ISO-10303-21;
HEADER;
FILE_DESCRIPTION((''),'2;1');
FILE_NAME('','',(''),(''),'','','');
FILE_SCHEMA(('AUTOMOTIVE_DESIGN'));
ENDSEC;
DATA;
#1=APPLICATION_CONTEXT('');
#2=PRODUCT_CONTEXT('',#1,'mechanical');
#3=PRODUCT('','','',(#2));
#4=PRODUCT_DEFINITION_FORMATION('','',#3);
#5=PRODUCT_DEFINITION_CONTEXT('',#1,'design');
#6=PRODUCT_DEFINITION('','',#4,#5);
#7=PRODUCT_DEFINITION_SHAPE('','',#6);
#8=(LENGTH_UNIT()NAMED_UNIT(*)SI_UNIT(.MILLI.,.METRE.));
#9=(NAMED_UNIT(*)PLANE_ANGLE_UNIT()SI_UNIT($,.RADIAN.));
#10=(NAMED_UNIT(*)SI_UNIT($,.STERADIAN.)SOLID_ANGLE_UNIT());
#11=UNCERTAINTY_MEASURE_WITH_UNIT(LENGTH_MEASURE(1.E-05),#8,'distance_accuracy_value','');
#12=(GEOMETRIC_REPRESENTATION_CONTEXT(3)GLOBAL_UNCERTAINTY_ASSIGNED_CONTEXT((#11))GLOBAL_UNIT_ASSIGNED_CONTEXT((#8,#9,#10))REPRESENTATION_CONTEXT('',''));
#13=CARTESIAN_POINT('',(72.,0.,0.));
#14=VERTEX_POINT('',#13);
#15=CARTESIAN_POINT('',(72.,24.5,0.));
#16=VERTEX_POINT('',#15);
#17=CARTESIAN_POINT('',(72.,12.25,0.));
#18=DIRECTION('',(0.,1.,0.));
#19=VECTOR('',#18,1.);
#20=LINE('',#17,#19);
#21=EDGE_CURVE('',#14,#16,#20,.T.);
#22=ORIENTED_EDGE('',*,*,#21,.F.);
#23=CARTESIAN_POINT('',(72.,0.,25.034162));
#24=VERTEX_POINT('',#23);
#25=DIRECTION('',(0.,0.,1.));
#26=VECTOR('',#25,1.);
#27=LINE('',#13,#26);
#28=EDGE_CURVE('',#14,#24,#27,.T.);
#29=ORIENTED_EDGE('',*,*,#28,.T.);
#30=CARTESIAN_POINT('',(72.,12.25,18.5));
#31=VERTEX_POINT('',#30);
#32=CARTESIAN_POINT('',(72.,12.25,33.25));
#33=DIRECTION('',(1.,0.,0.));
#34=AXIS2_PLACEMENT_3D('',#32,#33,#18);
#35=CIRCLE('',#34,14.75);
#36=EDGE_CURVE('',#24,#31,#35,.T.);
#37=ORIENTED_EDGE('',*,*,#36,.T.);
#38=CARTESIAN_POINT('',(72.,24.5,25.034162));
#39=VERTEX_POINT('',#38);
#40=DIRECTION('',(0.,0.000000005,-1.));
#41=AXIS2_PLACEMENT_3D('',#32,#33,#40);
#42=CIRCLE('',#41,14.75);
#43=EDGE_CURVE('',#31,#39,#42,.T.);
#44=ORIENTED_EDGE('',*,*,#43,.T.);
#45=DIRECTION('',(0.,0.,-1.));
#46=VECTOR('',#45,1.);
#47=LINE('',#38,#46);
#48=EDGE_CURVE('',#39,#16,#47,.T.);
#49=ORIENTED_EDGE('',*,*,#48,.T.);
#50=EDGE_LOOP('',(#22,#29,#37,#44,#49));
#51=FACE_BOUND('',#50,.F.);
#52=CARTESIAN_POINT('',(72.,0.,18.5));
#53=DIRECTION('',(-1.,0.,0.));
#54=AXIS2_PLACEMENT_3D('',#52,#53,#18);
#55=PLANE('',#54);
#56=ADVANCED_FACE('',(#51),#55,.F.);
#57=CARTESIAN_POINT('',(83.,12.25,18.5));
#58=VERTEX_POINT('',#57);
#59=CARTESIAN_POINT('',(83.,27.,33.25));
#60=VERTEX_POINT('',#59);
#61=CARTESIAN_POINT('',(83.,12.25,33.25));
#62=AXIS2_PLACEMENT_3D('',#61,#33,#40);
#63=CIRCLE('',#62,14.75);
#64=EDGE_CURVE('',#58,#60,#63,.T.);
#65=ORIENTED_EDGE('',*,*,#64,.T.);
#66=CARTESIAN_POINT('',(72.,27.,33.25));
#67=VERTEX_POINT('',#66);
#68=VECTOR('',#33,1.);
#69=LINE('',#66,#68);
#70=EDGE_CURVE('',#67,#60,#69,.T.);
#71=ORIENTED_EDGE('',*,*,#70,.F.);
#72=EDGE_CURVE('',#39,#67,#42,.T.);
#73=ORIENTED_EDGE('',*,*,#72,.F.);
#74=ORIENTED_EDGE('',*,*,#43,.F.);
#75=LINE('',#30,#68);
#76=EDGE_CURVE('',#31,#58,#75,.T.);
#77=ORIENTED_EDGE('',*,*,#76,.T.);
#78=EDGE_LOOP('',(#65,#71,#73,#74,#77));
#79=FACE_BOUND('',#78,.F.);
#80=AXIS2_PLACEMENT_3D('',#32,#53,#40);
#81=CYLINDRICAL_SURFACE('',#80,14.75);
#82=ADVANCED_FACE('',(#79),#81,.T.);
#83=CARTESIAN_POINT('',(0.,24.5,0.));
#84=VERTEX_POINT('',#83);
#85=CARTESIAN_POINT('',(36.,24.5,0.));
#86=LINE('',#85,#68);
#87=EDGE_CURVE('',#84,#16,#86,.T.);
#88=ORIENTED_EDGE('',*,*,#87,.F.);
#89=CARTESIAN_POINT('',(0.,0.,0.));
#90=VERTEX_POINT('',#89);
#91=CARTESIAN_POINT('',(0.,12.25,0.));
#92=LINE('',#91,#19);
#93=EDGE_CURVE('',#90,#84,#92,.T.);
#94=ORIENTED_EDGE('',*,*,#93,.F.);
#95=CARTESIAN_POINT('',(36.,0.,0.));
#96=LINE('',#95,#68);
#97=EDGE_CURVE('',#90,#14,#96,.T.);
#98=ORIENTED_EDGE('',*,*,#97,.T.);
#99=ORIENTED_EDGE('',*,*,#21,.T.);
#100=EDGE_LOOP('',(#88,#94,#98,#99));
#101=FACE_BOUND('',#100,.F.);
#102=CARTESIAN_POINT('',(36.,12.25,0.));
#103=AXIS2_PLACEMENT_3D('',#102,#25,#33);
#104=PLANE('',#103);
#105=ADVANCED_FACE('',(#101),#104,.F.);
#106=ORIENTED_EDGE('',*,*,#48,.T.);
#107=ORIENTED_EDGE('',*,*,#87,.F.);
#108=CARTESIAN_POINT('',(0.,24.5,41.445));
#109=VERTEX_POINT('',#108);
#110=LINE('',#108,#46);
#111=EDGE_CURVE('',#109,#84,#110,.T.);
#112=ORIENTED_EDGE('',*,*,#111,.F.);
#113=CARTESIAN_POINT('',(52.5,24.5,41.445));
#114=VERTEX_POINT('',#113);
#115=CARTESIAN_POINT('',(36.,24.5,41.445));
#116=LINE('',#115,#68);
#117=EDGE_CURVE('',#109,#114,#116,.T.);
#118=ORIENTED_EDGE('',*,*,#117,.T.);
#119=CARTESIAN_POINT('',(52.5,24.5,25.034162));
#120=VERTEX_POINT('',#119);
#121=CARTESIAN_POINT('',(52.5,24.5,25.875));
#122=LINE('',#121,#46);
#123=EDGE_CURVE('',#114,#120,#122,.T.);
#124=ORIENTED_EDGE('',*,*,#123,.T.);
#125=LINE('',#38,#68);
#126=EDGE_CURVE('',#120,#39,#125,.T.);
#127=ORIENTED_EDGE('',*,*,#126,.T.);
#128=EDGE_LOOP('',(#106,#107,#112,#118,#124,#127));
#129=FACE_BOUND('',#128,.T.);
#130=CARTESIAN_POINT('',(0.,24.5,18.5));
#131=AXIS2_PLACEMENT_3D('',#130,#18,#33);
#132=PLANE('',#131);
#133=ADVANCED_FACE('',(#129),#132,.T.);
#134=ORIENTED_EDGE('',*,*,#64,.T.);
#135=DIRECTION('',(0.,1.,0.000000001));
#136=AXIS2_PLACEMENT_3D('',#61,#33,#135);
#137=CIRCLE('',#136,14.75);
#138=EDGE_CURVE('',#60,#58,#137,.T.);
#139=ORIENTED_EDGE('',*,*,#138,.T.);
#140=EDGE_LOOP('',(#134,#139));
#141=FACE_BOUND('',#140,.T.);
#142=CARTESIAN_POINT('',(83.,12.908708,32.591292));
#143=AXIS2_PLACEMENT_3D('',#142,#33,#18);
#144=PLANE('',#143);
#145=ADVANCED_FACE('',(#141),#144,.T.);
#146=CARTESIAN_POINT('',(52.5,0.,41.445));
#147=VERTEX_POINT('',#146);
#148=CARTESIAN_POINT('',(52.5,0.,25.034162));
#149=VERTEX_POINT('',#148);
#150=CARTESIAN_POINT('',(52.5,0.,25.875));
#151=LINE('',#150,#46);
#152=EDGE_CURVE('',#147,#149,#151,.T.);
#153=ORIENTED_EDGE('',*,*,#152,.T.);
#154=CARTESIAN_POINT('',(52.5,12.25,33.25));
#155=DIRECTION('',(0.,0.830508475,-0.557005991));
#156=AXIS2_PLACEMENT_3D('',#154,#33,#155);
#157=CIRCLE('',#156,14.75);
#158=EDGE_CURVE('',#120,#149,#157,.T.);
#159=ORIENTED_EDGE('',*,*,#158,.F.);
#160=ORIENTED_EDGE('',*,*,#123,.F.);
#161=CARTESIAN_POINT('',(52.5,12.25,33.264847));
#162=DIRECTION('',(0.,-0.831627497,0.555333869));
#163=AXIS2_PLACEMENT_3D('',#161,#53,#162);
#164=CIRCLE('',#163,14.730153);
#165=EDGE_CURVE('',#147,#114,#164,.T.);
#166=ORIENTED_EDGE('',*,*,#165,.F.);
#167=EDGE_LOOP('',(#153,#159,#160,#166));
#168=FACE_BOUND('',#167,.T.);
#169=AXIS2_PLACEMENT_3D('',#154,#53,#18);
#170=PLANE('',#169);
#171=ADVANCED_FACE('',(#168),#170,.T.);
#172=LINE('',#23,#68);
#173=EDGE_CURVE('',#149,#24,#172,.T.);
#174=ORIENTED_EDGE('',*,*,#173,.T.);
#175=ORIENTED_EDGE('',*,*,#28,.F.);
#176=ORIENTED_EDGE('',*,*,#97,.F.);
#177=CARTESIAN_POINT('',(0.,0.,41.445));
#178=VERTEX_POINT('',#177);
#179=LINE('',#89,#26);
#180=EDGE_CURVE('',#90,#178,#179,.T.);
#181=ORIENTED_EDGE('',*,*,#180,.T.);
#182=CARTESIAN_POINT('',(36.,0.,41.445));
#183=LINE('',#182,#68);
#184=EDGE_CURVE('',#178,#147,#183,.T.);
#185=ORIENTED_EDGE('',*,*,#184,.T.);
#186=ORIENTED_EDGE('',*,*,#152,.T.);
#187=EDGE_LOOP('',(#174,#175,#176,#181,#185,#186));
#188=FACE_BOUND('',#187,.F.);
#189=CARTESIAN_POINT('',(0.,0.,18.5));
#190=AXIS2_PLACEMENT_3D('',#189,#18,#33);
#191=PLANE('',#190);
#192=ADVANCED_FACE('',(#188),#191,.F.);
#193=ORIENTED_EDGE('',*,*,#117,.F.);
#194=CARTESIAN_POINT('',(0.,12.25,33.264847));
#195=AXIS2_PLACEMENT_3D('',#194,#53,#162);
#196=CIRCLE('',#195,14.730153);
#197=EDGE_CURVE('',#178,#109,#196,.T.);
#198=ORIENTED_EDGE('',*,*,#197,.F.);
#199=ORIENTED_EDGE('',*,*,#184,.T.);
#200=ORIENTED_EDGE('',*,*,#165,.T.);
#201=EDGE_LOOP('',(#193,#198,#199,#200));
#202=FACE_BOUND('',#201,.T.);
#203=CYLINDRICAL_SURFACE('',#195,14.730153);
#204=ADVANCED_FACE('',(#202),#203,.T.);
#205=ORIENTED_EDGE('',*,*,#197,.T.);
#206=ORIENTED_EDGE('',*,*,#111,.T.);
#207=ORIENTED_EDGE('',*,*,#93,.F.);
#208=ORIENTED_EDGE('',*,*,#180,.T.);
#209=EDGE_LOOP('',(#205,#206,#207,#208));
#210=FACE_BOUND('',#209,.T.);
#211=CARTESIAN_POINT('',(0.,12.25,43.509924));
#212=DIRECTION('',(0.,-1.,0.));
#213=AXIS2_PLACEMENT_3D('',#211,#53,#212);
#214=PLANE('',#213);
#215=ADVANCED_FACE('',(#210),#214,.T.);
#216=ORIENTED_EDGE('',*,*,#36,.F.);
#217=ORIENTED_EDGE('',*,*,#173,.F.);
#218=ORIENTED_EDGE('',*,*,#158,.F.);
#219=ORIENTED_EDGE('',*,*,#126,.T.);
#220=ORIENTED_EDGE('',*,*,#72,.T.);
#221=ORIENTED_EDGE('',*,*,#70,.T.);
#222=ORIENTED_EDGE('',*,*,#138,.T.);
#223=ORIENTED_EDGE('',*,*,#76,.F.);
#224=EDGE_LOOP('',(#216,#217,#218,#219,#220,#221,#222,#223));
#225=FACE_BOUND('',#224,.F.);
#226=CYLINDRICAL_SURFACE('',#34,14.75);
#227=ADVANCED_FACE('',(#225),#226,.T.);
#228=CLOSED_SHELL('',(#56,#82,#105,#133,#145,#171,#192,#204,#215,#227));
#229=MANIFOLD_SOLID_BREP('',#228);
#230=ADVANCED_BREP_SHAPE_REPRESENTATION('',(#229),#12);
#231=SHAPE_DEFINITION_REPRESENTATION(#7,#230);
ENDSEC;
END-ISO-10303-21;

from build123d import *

# Parameters (mm, degrees)
F0_W      = 72
F0_H      = 24.5
F1_DEPTH  = 18.5
F3_DEPTH  = 11
F3_FACE_R = 14.75
F4_DEPTH  = 19.5
F5_W      = 72
F5_H      = 24.5
F6_DEPTH  = 22.945
F8_DEPTH  = 52.5


with BuildPart() as f1:
    # F0 (on Top) → F1 (new body)
    with BuildSketch(Plane.XY):
        with Locations((36, 12.25)):
            Rectangle(F0_W, F0_H)
    extrude(amount=F1_DEPTH)

    # F2 (on face) → F3 (join)
    with BuildSketch(Plane.YZ.offset(72)):
        with BuildLine():
            ThreePointArc((12.25, 18.5), (22.679825, 22.820175), (27, 33.25))
            ThreePointArc((27, 33.25), (1.820175, 43.679825), (12.25, 18.5))
        make_face()
    extrude(amount=F3_DEPTH)



with BuildPart() as f4:
    # F3_face (on face) → F4 (new body)
    with BuildSketch(Plane(origin=(72, 12.25, 33.25), x_dir=(0, 1, 0), z_dir=(-1, 0, 0))):
        Circle(F3_FACE_R)
    extrude(amount=F4_DEPTH)


with BuildPart() as f1_1:
    add(f1.part)

    add(f4.part)  # F6 merges F4
    # F5 (on face) → F6 (join)
    with BuildSketch(Plane.XY.offset(18.5)):
        with Locations((36, 12.25)):
            Rectangle(F5_W, F5_H)
    extrude(amount=F6_DEPTH)

    # F7 (on face) → F8 (join, through all)
    with BuildSketch(Plane(origin=(0, 0, 0), x_dir=(0, -1, 0), z_dir=(-1, 0, 0))):
        with BuildLine():
            Line((-24.5, 41.445), (0, 41.445))
            ThreePointArc((0, 41.445), (-12.25, 47.995), (-24.5, 41.445))
        make_face()
    extrude(amount=-F8_DEPTH)


solid = f1_1.part
